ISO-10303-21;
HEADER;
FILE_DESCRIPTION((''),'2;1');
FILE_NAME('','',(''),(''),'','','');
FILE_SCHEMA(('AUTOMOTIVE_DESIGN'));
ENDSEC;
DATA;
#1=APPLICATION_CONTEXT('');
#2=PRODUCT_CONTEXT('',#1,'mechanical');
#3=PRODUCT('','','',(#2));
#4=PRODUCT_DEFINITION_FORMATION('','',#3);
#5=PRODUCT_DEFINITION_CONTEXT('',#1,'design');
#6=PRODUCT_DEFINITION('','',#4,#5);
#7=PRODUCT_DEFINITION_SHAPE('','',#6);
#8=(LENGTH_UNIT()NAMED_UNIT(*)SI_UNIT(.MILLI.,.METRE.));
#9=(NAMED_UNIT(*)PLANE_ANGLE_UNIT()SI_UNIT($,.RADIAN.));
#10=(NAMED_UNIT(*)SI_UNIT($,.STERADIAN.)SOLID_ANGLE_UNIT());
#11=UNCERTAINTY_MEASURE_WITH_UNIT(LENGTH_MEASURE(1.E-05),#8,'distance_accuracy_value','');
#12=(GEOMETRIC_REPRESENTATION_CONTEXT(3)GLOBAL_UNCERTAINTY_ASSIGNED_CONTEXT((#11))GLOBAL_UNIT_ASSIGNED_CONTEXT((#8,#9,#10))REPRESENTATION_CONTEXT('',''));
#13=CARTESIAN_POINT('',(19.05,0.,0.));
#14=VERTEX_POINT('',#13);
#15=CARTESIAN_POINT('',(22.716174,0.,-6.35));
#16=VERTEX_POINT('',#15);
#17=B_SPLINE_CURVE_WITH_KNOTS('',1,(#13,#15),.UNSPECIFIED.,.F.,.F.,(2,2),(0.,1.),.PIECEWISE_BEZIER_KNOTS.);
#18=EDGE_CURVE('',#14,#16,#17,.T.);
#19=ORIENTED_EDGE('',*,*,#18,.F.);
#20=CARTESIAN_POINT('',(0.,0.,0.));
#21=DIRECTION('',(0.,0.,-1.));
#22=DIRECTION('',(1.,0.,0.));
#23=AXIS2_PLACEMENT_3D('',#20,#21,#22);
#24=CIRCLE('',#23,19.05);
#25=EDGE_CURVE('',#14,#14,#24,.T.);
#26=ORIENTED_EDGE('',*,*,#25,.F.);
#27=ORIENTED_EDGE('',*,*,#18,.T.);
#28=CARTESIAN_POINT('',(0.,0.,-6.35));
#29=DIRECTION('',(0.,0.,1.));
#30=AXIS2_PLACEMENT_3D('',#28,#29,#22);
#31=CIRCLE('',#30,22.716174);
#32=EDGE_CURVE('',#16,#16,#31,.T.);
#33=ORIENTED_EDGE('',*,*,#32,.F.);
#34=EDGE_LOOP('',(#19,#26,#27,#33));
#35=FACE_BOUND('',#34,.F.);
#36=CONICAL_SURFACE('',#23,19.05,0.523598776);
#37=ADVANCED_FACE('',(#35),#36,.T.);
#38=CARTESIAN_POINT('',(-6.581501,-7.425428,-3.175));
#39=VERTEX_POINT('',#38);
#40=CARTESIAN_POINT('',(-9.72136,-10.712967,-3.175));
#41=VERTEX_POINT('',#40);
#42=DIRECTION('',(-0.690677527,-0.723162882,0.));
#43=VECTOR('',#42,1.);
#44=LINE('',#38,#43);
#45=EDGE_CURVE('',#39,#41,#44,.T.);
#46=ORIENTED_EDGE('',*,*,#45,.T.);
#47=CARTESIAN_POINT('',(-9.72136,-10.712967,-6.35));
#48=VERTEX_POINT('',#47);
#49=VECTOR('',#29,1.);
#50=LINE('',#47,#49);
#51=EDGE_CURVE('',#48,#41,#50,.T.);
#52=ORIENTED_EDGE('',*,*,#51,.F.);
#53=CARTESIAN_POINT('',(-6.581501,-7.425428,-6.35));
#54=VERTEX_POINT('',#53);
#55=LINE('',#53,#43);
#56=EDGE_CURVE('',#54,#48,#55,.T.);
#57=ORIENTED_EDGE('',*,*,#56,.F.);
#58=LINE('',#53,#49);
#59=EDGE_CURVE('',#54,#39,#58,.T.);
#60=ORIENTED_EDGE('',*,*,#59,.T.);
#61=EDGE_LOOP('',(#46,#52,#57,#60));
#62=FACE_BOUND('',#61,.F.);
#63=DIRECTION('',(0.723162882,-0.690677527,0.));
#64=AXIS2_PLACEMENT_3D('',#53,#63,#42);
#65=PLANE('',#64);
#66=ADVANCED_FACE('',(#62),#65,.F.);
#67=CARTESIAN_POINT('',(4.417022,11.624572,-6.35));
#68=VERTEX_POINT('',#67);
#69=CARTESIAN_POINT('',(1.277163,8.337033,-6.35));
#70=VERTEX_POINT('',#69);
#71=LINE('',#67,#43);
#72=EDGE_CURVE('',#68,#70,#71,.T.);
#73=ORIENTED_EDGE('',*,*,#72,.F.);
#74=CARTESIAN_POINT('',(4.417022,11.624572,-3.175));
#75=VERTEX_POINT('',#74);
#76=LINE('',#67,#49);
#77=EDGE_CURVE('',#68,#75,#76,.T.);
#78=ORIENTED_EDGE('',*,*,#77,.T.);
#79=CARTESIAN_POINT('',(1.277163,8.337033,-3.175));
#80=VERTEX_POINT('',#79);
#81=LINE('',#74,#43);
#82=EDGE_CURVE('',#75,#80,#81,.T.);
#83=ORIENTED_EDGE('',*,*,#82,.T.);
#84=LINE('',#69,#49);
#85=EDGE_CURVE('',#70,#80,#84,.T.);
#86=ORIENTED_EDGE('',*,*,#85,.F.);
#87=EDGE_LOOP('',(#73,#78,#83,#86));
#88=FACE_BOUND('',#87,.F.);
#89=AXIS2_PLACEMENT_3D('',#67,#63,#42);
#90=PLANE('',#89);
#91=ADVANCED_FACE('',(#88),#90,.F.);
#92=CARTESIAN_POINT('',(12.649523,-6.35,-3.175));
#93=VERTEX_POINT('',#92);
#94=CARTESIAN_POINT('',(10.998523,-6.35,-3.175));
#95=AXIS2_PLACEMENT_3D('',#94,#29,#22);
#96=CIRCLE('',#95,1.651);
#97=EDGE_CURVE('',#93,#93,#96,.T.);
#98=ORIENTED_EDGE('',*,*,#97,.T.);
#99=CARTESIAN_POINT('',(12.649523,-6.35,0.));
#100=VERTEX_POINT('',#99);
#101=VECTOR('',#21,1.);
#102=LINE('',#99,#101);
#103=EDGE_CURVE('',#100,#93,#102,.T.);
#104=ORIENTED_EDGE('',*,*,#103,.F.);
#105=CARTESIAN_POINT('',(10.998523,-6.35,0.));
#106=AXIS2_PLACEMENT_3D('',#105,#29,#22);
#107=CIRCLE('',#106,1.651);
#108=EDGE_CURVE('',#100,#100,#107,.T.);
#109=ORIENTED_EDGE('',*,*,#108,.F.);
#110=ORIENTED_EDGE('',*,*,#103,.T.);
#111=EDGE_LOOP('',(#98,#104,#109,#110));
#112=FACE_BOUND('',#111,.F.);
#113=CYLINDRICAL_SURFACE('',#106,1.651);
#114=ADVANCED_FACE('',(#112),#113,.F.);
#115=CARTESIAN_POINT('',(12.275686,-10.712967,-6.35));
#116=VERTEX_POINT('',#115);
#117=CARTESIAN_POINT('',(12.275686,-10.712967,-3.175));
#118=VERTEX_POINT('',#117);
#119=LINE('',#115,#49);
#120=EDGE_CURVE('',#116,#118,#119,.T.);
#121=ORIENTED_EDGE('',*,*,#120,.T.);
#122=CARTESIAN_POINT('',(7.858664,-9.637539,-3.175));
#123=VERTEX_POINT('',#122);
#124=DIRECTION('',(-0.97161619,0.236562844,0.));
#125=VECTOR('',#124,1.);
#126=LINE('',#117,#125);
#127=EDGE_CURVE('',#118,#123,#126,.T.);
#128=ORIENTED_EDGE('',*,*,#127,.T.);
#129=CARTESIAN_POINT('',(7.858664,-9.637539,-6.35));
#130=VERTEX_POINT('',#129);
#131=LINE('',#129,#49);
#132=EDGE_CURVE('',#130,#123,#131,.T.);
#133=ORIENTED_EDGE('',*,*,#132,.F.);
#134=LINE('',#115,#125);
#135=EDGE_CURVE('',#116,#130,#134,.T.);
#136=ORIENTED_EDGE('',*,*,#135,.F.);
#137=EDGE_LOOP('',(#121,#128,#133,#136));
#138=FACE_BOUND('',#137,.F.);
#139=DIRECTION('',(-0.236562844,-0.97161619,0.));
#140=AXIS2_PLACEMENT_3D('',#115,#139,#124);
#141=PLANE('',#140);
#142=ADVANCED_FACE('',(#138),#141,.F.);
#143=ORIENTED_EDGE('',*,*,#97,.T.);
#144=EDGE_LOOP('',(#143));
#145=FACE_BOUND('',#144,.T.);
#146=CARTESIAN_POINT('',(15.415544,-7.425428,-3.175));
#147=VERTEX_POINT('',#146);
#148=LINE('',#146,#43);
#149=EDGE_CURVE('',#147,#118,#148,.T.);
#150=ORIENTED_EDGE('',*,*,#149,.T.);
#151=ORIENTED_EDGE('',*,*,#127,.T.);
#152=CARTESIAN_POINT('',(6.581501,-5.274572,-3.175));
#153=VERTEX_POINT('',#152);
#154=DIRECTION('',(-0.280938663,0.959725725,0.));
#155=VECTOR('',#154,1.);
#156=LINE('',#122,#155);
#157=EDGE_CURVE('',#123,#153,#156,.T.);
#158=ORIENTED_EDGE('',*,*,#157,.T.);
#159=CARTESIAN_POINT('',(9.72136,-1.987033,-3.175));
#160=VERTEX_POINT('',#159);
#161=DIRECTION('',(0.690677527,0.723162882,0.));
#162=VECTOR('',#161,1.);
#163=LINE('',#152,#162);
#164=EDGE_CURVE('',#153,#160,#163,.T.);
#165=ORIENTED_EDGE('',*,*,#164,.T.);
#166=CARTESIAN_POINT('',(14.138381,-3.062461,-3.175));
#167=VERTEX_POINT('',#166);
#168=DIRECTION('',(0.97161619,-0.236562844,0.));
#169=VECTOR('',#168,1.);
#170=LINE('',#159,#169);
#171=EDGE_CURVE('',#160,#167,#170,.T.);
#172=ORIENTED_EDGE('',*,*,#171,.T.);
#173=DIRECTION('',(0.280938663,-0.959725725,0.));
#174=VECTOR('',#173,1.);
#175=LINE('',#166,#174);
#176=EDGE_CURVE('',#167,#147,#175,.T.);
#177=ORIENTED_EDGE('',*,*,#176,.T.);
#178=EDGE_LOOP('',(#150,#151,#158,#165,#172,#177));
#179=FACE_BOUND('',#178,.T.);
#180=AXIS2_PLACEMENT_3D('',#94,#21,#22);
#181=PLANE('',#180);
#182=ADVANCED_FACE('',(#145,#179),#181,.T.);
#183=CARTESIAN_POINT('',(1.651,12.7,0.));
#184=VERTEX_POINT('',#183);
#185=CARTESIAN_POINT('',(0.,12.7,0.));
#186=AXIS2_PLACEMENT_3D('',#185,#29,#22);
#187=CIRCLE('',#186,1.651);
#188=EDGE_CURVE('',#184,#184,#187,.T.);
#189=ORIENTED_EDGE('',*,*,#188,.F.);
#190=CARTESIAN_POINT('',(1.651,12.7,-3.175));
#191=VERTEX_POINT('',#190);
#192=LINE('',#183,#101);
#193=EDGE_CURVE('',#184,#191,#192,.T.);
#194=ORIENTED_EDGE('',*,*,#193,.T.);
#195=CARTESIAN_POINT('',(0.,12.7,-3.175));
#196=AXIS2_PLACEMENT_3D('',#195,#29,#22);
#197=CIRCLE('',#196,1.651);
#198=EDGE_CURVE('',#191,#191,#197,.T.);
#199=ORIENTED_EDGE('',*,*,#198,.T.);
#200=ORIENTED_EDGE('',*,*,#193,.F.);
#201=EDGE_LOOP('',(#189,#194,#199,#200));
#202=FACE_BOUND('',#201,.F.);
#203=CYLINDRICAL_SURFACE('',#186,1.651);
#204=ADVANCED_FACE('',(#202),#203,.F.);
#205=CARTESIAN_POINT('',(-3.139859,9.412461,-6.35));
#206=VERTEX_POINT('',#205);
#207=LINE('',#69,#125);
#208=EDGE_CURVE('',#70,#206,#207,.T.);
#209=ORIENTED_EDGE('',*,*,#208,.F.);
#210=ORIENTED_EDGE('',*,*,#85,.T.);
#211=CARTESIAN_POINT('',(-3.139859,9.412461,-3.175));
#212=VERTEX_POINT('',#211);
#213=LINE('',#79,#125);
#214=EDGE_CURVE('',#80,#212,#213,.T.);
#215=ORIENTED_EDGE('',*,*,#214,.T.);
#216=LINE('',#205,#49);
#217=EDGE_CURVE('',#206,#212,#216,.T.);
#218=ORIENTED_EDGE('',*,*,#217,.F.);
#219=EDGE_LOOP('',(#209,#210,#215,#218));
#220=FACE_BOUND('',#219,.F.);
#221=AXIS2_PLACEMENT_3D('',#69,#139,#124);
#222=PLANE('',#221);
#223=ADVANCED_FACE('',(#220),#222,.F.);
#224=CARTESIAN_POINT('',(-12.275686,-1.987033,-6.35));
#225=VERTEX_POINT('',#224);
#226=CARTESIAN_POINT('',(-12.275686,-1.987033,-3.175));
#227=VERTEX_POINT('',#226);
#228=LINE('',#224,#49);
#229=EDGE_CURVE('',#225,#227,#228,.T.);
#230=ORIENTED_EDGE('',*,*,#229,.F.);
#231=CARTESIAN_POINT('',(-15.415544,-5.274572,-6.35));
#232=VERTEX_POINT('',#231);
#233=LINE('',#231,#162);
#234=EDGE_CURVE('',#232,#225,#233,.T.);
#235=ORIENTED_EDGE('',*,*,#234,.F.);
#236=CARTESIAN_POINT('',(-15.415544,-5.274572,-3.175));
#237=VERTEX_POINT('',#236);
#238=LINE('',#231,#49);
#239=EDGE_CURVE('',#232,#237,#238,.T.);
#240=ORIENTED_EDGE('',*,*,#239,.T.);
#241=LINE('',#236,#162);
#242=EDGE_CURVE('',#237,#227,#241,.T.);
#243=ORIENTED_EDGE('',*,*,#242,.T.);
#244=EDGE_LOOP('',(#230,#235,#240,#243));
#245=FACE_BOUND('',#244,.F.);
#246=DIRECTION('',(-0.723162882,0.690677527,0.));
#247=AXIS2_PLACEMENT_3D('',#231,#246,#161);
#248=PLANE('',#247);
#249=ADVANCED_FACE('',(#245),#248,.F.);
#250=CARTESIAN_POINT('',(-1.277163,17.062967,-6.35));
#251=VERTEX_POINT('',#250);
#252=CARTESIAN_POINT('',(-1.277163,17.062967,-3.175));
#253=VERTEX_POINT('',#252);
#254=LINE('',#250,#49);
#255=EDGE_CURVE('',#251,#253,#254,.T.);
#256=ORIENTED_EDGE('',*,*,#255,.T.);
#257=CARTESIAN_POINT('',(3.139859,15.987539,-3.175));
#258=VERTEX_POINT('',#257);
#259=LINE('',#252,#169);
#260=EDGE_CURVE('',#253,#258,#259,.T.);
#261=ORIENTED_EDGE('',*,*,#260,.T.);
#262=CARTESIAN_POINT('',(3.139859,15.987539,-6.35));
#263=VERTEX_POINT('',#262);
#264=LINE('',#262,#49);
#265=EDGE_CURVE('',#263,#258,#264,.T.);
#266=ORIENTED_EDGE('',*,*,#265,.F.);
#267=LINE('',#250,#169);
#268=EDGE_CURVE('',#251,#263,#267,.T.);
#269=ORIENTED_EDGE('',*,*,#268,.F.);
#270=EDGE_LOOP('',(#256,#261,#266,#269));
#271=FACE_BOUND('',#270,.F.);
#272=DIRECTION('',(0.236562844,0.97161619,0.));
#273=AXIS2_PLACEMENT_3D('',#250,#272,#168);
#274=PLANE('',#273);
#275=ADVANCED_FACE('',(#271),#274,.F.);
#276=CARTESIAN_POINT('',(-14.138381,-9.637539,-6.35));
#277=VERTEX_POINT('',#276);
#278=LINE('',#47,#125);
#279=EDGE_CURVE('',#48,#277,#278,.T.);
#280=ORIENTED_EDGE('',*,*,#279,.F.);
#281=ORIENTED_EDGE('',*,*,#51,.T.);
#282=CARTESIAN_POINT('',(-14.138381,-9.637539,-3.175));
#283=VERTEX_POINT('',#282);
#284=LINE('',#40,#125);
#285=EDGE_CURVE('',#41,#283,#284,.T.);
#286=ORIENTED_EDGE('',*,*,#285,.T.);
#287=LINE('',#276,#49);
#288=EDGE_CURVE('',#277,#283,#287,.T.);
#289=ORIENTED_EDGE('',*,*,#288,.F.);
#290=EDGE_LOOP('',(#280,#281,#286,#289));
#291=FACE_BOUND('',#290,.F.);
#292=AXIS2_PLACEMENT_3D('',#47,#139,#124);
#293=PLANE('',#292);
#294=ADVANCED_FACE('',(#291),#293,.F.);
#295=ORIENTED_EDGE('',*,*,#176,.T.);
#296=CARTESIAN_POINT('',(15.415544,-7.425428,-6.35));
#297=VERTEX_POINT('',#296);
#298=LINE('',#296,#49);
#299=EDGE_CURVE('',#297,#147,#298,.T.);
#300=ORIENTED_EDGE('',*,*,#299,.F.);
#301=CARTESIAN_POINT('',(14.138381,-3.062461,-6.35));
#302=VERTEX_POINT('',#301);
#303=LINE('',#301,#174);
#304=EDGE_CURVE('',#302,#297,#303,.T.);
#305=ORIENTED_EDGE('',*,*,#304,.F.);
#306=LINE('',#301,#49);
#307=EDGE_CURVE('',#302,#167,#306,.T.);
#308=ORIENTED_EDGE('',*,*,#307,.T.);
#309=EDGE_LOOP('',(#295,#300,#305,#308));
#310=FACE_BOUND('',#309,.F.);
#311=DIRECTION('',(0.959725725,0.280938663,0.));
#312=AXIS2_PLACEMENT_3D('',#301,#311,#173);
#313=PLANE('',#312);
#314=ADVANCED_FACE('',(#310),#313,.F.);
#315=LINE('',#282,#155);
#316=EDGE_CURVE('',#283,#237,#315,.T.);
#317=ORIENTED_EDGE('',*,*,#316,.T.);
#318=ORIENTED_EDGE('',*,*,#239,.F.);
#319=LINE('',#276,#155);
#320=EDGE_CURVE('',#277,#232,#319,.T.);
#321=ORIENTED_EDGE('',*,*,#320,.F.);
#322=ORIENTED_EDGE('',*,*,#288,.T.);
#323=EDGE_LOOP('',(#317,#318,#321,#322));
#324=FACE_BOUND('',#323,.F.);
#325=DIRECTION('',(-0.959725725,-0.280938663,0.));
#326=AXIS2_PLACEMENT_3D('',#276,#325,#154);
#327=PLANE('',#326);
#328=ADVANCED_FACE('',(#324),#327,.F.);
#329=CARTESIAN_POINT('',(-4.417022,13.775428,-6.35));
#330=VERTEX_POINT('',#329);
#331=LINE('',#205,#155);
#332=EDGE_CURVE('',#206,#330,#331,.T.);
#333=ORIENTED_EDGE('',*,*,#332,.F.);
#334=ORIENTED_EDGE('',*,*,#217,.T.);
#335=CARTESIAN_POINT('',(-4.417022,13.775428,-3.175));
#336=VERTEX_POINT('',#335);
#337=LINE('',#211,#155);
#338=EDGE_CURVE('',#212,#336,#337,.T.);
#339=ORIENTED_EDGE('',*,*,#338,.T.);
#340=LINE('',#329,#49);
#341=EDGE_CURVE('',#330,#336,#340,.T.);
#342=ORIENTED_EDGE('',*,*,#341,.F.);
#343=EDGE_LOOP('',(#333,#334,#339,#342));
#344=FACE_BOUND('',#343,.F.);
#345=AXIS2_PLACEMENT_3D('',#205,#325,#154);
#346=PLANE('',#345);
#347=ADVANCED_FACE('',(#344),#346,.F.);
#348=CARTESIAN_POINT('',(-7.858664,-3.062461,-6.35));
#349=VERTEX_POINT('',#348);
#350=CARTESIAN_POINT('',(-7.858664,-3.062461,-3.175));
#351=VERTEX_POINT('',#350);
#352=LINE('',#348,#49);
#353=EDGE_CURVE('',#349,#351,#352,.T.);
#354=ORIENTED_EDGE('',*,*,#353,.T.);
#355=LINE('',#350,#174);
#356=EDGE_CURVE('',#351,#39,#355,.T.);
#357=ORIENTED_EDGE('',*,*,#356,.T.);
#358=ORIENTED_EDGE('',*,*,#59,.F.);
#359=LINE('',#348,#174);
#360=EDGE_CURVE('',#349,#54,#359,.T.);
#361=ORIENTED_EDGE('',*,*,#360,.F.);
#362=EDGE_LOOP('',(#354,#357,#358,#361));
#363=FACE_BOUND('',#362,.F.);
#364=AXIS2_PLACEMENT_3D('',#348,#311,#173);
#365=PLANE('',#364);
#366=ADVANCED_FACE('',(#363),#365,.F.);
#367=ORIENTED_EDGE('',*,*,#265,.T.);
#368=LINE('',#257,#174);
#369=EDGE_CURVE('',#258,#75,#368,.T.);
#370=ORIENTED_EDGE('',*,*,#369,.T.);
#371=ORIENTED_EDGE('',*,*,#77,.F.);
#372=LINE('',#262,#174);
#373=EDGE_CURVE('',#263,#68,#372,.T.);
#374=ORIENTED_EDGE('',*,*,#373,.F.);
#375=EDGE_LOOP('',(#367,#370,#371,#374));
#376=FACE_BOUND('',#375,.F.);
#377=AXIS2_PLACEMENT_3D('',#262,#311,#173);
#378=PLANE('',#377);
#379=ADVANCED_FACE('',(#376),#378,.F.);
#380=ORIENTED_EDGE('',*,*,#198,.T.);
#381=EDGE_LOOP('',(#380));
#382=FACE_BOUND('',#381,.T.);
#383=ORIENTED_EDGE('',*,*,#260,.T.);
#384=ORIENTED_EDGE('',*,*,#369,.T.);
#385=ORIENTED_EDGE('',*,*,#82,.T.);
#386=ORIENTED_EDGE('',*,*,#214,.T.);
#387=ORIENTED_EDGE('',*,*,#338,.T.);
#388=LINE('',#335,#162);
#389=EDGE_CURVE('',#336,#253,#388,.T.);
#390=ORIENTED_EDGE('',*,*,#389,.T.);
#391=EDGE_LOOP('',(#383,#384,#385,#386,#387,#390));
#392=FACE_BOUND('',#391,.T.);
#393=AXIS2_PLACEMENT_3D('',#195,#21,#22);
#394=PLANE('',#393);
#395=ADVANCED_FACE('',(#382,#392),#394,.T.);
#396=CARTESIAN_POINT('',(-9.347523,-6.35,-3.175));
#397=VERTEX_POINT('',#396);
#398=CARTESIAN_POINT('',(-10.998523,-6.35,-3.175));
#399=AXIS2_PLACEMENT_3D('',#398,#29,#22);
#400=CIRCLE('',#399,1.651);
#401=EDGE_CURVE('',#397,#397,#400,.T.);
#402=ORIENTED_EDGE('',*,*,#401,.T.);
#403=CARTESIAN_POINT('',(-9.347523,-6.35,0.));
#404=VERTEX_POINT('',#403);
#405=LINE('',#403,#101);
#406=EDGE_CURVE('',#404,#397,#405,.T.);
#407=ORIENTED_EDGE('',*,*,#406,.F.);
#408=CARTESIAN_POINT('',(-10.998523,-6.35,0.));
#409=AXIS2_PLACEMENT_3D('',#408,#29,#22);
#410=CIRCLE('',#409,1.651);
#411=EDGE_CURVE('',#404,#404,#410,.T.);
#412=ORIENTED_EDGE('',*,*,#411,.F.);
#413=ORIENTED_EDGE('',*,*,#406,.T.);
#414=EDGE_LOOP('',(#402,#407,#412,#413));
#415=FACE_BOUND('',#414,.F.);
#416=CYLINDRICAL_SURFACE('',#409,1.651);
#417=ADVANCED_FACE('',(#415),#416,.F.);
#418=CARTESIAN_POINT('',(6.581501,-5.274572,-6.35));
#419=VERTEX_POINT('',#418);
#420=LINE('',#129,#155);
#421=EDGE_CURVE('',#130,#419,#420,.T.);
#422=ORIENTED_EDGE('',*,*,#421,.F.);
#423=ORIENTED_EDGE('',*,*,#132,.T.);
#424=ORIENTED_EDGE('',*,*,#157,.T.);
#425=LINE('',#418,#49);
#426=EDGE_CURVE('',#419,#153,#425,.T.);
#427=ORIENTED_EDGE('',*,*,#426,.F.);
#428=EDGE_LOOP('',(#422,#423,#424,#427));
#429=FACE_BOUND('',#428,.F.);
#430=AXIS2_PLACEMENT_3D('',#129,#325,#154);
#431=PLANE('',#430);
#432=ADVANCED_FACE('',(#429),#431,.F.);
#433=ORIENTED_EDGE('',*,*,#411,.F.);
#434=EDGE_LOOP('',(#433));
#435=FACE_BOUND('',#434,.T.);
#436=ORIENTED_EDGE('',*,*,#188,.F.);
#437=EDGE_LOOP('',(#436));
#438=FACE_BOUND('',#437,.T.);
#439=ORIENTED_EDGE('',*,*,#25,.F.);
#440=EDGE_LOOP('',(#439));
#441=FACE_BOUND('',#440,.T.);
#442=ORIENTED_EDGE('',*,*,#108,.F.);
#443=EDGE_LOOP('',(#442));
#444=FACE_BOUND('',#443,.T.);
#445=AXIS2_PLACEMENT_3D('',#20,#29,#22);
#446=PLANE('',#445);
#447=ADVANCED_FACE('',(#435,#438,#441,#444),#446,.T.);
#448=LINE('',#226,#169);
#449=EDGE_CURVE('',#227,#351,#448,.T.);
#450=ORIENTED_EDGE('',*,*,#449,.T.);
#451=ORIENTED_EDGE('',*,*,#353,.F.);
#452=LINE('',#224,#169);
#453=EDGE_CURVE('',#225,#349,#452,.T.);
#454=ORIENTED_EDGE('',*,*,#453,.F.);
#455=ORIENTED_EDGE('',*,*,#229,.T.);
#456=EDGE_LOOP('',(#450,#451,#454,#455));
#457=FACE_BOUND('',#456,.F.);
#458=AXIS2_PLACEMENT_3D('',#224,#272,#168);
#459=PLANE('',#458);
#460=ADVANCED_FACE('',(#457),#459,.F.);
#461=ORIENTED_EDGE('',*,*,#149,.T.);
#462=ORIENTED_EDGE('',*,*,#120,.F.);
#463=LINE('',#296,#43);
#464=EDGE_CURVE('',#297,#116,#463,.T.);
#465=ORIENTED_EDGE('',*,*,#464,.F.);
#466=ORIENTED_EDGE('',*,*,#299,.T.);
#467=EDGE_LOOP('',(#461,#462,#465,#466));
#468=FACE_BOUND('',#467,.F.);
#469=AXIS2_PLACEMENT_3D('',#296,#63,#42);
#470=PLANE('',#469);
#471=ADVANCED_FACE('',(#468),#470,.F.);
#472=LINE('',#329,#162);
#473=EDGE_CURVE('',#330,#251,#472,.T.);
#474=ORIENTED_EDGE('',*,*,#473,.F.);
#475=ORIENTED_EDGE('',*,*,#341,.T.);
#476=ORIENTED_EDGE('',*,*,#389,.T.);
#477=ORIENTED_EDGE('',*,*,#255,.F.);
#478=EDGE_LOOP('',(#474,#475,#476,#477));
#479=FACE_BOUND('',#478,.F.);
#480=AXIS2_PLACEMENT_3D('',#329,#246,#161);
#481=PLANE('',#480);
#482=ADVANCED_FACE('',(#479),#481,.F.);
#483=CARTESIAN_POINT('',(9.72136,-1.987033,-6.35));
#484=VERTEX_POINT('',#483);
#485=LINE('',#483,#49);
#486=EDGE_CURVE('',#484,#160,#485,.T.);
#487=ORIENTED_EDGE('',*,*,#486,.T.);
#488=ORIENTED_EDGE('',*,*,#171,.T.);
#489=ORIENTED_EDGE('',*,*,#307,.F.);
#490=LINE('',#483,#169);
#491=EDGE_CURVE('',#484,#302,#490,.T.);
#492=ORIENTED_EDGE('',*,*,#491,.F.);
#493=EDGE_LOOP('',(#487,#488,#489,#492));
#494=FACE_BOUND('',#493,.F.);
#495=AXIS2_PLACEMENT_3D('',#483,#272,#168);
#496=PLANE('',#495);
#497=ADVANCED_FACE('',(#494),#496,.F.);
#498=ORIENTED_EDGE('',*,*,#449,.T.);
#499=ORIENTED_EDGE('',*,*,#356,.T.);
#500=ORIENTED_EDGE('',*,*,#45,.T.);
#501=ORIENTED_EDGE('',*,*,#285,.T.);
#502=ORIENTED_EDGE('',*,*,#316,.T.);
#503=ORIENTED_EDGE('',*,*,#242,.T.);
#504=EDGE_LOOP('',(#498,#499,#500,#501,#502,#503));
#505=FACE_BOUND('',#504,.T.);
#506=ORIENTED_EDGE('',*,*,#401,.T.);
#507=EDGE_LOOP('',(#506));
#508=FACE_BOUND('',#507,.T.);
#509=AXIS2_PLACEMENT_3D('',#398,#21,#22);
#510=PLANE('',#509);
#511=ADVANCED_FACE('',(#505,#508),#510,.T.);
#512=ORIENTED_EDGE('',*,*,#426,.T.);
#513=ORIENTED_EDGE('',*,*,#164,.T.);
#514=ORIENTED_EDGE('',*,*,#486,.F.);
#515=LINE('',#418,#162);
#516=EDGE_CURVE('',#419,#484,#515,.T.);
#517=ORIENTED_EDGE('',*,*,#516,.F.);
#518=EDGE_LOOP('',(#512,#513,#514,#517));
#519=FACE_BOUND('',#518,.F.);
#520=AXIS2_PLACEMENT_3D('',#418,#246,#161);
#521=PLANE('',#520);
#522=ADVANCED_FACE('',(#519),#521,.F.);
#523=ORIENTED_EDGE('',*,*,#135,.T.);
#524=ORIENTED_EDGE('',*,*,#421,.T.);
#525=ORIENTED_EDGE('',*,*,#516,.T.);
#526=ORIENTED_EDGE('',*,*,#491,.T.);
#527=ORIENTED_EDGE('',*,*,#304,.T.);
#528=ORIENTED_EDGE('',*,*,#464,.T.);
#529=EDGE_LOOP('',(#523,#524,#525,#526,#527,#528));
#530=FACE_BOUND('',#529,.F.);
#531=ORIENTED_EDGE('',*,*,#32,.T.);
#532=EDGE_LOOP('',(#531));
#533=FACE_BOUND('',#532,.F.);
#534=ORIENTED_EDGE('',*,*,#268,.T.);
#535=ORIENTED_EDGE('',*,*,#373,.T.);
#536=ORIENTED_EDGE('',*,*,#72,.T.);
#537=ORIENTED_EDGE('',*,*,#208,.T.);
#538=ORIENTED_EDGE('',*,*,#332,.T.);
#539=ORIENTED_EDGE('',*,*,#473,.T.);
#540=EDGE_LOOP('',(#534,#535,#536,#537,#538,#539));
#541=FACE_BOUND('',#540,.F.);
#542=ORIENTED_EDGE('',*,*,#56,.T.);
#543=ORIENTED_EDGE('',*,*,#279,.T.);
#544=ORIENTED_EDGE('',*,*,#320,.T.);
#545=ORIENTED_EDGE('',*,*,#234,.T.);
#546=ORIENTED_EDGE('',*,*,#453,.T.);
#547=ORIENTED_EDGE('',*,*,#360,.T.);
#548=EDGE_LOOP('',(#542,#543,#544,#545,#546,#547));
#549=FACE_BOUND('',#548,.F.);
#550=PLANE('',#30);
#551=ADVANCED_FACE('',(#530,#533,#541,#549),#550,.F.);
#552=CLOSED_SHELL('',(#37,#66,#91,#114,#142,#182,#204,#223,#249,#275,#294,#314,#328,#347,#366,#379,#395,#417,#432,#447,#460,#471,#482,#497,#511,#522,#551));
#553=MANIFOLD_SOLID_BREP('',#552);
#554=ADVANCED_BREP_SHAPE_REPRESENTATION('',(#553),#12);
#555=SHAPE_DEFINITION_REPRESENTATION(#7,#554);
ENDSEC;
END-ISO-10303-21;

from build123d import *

# Parameters (mm, degrees)
F0_R     = 19.05
F1_DEPTH = 6.35
F1_TAPER = -30
F2_R     = 1.651
F3_DEPTH = 25.4
F5_DEPTH = 3.175


with BuildPart() as f1:
    # F0 (on Top) → F1 (new body)
    with BuildSketch(Plane.XY):
        Circle(F0_R)
    extrude(amount=-F1_DEPTH, taper=F1_TAPER)

    # F2 (on face) → F3 (cut)
    with BuildSketch(Plane.XY):
        with Locations((0, 12.7)):
            Circle(F2_R)
        with Locations((-10.9985226281, -6.35)):
            Circle(F2_R)
        with Locations((10.9985226281, -6.35)):
            Circle(F2_R)
    extrude(amount=-F3_DEPTH, mode=Mode.SUBTRACT)

    # F4 (on face) → F5 (cut)
    with BuildSketch(Plane(origin=(0, 0, -6.35), x_dir=(1, 0, 0), z_dir=(0, 0, -1))):
        Polygon((4.4170216301, -11.6245720608), (1.2771628997, -8.3370330896), (-3.1398587304, -9.4124610289), (-4.4170216301, -13.7754279392), (-1.2771628997, -17.0629669104), (3.1398587304, -15.9875389711), align=None)
        Polygon((9.7213597283, 1.9870330896), (14.1383813584, 3.0624610289), (15.4155442582, 7.4254279392), (12.2756855278, 10.7129669104), (7.8586638977, 9.6375389711), (6.581500998, 5.2745720608), align=None)
        Polygon((-6.581500998, 7.4254279392), (-9.7213597283, 10.7129669104), (-14.1383813584, 9.6375389711), (-15.4155442582, 5.2745720608), (-12.2756855278, 1.9870330896), (-7.8586638977, 3.0624610289), align=None)
    extrude(amount=-F5_DEPTH, mode=Mode.SUBTRACT)


solid = f1.part
